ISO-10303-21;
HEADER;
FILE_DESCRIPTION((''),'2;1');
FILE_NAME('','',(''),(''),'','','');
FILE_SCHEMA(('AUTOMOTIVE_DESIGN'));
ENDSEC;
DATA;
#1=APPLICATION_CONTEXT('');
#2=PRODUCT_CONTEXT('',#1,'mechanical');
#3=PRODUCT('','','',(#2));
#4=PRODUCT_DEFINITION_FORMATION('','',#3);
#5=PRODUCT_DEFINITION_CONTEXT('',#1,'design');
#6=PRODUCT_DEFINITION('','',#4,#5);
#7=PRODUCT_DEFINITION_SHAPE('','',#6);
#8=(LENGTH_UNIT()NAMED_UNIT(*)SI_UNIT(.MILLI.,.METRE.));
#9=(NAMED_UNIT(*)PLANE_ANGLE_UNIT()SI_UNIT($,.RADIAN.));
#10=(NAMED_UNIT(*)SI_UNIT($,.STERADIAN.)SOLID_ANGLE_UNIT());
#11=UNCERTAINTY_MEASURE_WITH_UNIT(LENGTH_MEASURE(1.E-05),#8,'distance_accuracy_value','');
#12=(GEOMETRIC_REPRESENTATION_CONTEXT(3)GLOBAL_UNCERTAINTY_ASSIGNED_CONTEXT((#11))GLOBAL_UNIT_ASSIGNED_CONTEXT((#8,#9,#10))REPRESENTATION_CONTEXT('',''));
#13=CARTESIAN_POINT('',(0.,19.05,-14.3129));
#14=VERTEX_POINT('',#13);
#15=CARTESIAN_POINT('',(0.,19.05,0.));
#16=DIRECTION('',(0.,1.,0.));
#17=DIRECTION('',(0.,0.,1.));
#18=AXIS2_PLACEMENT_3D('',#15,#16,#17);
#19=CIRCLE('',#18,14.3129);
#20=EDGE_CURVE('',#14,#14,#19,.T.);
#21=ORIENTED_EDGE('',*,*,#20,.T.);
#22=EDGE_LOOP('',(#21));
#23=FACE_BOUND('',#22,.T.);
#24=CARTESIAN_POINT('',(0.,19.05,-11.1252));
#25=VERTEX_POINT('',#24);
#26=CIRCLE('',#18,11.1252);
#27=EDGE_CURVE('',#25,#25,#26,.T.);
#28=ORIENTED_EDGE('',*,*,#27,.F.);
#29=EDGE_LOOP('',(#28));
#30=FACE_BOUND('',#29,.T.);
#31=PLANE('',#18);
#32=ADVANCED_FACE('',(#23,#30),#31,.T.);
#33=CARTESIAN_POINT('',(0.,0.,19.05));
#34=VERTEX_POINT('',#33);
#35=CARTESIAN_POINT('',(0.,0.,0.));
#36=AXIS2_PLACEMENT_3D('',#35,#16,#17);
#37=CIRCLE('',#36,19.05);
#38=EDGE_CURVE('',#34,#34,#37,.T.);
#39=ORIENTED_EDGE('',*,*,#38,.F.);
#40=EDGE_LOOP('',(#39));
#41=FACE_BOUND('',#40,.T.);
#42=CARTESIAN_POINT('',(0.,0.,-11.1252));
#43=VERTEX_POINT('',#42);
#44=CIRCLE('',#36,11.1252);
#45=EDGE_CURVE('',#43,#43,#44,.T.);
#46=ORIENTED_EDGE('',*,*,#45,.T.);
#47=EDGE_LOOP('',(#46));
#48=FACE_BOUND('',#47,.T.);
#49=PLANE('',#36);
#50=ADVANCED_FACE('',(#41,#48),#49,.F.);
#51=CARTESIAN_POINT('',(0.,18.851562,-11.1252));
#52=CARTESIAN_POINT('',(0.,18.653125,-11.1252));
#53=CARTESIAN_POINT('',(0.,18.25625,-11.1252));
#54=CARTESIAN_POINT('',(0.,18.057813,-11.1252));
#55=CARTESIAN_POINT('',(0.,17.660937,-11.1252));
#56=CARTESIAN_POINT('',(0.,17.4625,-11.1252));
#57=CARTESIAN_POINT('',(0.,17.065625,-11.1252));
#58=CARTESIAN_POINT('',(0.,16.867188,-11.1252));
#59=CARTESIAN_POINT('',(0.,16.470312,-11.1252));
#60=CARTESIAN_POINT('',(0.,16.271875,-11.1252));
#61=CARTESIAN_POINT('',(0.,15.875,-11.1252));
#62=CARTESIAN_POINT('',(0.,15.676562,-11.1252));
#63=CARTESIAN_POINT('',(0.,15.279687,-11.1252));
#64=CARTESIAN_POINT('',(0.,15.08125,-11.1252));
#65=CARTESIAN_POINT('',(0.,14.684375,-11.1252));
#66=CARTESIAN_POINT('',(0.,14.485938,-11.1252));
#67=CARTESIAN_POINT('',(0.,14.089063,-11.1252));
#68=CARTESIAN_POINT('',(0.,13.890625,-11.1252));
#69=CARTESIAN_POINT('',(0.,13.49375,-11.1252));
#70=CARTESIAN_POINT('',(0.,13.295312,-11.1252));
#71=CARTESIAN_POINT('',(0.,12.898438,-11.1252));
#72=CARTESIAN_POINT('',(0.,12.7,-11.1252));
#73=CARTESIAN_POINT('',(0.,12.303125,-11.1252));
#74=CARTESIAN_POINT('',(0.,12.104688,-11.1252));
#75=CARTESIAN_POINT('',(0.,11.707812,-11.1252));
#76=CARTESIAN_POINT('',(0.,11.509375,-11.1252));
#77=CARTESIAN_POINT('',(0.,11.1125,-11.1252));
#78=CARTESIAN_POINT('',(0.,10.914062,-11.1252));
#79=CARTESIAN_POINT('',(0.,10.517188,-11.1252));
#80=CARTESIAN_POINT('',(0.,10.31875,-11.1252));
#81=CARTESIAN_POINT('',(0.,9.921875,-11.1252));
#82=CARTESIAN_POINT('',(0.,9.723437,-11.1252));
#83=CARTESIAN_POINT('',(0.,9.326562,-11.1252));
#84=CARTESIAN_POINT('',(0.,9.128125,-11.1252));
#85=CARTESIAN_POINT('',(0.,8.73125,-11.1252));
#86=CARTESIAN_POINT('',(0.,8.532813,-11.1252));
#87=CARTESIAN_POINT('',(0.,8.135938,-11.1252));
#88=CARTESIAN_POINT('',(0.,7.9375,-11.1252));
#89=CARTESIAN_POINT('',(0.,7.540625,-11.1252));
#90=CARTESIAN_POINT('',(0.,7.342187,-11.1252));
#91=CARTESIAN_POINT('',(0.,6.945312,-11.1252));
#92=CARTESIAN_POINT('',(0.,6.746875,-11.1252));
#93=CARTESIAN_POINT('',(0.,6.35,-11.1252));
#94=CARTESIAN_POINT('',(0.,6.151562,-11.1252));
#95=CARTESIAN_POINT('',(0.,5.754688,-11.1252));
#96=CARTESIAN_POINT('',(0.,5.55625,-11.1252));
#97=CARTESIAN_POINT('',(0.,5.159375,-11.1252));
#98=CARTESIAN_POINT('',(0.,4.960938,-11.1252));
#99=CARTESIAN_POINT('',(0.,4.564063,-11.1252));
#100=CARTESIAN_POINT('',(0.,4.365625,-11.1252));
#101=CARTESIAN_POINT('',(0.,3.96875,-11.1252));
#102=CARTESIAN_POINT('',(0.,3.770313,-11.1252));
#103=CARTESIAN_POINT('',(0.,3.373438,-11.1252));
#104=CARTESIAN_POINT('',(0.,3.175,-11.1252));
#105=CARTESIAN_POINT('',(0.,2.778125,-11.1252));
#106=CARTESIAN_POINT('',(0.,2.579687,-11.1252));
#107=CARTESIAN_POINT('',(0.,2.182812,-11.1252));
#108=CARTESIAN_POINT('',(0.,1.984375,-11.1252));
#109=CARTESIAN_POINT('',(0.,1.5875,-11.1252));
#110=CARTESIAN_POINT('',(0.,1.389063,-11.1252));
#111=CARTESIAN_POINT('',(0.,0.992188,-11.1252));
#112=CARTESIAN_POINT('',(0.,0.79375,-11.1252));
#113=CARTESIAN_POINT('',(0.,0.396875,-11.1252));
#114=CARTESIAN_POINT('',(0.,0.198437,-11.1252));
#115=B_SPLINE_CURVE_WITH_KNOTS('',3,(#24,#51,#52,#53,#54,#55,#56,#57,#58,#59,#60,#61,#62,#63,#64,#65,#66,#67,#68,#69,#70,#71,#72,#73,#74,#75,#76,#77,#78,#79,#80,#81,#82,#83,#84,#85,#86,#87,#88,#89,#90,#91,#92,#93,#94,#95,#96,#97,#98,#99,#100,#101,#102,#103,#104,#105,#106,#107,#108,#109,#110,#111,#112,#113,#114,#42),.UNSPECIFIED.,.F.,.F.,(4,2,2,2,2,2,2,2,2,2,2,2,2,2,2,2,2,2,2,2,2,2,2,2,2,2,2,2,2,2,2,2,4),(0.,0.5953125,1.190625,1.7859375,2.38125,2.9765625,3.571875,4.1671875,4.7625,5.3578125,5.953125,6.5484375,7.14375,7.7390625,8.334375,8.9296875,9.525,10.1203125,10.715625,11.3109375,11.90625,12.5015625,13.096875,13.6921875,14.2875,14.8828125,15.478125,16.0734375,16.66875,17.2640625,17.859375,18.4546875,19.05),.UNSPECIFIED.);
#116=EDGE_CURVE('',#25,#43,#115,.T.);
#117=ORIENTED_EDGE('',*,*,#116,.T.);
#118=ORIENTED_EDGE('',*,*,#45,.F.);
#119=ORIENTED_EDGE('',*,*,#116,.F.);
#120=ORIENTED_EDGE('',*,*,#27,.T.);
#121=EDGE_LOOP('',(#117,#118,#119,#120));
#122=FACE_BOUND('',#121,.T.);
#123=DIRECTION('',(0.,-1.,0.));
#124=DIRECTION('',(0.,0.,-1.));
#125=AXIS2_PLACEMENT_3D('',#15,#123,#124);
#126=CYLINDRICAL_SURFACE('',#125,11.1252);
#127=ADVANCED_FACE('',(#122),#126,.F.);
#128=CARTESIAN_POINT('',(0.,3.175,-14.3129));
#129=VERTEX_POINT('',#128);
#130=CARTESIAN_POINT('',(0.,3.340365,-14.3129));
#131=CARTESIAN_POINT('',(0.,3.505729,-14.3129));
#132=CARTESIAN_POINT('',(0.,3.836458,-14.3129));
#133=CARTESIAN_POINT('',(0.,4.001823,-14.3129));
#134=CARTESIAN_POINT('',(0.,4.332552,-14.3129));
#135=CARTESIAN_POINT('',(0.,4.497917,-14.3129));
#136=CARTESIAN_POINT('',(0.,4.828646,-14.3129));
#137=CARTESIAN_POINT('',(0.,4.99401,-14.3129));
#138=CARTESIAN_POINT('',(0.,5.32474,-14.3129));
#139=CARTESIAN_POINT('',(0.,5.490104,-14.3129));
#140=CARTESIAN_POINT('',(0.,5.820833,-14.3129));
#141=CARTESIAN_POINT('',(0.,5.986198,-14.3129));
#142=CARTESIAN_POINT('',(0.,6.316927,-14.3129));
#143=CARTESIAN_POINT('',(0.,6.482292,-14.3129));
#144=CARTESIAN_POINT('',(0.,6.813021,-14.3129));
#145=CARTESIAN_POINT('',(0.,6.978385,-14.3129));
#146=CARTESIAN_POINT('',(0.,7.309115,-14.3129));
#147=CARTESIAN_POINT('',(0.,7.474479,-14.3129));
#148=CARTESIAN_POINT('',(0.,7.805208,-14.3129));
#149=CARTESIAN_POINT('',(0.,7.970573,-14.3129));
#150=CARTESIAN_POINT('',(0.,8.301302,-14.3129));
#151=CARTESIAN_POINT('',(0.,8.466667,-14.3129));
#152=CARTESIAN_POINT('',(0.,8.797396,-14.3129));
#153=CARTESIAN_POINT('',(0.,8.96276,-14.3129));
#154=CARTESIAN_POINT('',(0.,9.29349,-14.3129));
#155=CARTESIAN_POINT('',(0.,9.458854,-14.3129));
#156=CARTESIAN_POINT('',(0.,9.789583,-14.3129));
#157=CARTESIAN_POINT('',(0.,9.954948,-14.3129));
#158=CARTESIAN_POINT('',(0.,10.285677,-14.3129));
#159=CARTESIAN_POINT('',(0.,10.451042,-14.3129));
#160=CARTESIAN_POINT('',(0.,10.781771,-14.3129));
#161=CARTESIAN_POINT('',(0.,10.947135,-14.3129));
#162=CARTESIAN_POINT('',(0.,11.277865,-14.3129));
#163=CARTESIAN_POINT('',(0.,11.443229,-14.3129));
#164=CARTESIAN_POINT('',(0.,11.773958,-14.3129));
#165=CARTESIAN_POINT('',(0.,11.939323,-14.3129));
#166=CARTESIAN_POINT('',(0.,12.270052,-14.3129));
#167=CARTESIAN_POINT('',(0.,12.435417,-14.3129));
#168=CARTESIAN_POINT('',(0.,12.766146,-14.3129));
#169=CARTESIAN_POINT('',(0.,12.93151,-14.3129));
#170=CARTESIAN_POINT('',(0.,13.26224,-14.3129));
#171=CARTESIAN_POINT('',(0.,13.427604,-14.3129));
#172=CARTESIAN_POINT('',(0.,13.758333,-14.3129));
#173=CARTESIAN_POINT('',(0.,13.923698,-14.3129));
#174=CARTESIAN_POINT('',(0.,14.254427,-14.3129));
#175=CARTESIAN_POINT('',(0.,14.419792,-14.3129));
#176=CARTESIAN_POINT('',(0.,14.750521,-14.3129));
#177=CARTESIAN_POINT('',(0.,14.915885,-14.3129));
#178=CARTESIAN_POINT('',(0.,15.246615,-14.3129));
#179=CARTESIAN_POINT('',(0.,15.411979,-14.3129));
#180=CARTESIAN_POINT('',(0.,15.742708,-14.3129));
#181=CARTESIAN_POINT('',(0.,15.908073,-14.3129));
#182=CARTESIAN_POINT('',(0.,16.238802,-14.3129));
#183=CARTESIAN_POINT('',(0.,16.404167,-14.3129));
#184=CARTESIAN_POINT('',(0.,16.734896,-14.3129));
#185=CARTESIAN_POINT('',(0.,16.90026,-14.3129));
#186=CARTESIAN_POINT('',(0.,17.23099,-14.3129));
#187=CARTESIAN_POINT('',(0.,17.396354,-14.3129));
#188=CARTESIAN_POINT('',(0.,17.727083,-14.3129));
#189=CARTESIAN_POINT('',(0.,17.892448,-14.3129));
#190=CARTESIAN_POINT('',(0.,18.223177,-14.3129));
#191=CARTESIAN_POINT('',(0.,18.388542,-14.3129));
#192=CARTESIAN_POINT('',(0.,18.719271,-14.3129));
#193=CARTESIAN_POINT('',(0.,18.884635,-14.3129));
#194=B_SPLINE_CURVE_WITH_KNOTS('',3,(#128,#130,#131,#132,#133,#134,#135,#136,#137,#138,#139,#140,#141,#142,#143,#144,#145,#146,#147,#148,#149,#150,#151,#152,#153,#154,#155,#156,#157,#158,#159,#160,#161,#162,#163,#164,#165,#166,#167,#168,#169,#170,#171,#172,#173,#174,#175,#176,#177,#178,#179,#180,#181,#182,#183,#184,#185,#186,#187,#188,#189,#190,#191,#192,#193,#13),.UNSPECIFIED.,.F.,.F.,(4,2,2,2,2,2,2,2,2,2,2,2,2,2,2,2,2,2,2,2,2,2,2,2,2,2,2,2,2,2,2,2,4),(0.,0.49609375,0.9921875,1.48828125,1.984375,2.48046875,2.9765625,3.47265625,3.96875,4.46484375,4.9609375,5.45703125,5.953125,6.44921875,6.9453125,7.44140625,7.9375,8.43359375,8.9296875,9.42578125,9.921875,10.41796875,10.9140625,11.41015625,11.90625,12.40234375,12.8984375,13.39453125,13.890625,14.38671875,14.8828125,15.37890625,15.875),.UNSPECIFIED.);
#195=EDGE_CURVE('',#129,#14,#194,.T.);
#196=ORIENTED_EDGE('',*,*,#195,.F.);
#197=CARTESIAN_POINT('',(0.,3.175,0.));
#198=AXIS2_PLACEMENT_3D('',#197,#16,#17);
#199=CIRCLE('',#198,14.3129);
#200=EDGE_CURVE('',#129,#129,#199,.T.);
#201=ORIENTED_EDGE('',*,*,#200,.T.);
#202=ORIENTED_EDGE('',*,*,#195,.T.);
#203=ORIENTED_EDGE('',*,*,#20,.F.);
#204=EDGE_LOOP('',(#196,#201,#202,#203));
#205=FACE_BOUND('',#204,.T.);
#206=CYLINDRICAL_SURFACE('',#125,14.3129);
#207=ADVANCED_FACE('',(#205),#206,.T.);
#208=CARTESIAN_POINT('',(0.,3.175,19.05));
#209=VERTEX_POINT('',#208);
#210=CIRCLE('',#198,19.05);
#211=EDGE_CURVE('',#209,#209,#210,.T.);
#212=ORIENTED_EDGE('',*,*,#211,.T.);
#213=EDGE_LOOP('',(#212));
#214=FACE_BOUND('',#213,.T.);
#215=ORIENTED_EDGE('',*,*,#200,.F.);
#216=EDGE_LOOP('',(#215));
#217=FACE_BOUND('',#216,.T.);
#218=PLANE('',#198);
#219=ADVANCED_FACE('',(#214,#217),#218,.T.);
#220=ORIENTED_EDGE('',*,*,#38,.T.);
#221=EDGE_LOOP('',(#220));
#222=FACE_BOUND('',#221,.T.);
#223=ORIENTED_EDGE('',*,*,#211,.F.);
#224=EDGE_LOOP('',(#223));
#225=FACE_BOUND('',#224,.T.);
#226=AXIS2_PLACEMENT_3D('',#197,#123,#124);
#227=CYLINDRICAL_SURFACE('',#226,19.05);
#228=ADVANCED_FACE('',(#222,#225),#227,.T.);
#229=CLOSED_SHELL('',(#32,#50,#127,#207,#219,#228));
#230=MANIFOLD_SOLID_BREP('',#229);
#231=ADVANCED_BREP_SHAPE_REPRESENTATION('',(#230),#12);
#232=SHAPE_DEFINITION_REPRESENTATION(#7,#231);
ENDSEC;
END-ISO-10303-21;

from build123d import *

# Parameters (mm, degrees)
SKETCH2_R           = 14.3129
SKETCH2_R_2         = 11.1252
BOSS_EXTRUDE1_DEPTH = 19.05
SKETCH3_R           = 19.05
SKETCH3_R_2         = 14.3129
BOSS_EXTRUDE2_DEPTH = 3.175


with BuildPart() as part:
    # Sketch2 → Boss-Extrude1 (new body)
    with BuildSketch(Plane(origin=(0, 0, 0), x_dir=(1, 0, 0), z_dir=(0, 1, 0))):
        with Locations(Location((0, 0, 0), (0, 0, 90))):
            Circle(SKETCH2_R)
        with Locations(Location((0, 0, 0), (0, 0, 90))):
            Circle(SKETCH2_R_2, mode=Mode.SUBTRACT)
    extrude(amount=BOSS_EXTRUDE1_DEPTH)

    # Sketch3 → Boss-Extrude2 (add)
    with BuildSketch(Plane(origin=(0, 0, 0), x_dir=(1, 0, 0), z_dir=(0, 1, 0))):
        with Locations(Location((0, 0, 0), (0, 0, 270))):
            Circle(SKETCH3_R)
        with Locations(Location((0, 0, 0), (0, 0, 90))):
            Circle(SKETCH3_R_2, mode=Mode.SUBTRACT)
    extrude(amount=BOSS_EXTRUDE2_DEPTH)


solid = part.part
